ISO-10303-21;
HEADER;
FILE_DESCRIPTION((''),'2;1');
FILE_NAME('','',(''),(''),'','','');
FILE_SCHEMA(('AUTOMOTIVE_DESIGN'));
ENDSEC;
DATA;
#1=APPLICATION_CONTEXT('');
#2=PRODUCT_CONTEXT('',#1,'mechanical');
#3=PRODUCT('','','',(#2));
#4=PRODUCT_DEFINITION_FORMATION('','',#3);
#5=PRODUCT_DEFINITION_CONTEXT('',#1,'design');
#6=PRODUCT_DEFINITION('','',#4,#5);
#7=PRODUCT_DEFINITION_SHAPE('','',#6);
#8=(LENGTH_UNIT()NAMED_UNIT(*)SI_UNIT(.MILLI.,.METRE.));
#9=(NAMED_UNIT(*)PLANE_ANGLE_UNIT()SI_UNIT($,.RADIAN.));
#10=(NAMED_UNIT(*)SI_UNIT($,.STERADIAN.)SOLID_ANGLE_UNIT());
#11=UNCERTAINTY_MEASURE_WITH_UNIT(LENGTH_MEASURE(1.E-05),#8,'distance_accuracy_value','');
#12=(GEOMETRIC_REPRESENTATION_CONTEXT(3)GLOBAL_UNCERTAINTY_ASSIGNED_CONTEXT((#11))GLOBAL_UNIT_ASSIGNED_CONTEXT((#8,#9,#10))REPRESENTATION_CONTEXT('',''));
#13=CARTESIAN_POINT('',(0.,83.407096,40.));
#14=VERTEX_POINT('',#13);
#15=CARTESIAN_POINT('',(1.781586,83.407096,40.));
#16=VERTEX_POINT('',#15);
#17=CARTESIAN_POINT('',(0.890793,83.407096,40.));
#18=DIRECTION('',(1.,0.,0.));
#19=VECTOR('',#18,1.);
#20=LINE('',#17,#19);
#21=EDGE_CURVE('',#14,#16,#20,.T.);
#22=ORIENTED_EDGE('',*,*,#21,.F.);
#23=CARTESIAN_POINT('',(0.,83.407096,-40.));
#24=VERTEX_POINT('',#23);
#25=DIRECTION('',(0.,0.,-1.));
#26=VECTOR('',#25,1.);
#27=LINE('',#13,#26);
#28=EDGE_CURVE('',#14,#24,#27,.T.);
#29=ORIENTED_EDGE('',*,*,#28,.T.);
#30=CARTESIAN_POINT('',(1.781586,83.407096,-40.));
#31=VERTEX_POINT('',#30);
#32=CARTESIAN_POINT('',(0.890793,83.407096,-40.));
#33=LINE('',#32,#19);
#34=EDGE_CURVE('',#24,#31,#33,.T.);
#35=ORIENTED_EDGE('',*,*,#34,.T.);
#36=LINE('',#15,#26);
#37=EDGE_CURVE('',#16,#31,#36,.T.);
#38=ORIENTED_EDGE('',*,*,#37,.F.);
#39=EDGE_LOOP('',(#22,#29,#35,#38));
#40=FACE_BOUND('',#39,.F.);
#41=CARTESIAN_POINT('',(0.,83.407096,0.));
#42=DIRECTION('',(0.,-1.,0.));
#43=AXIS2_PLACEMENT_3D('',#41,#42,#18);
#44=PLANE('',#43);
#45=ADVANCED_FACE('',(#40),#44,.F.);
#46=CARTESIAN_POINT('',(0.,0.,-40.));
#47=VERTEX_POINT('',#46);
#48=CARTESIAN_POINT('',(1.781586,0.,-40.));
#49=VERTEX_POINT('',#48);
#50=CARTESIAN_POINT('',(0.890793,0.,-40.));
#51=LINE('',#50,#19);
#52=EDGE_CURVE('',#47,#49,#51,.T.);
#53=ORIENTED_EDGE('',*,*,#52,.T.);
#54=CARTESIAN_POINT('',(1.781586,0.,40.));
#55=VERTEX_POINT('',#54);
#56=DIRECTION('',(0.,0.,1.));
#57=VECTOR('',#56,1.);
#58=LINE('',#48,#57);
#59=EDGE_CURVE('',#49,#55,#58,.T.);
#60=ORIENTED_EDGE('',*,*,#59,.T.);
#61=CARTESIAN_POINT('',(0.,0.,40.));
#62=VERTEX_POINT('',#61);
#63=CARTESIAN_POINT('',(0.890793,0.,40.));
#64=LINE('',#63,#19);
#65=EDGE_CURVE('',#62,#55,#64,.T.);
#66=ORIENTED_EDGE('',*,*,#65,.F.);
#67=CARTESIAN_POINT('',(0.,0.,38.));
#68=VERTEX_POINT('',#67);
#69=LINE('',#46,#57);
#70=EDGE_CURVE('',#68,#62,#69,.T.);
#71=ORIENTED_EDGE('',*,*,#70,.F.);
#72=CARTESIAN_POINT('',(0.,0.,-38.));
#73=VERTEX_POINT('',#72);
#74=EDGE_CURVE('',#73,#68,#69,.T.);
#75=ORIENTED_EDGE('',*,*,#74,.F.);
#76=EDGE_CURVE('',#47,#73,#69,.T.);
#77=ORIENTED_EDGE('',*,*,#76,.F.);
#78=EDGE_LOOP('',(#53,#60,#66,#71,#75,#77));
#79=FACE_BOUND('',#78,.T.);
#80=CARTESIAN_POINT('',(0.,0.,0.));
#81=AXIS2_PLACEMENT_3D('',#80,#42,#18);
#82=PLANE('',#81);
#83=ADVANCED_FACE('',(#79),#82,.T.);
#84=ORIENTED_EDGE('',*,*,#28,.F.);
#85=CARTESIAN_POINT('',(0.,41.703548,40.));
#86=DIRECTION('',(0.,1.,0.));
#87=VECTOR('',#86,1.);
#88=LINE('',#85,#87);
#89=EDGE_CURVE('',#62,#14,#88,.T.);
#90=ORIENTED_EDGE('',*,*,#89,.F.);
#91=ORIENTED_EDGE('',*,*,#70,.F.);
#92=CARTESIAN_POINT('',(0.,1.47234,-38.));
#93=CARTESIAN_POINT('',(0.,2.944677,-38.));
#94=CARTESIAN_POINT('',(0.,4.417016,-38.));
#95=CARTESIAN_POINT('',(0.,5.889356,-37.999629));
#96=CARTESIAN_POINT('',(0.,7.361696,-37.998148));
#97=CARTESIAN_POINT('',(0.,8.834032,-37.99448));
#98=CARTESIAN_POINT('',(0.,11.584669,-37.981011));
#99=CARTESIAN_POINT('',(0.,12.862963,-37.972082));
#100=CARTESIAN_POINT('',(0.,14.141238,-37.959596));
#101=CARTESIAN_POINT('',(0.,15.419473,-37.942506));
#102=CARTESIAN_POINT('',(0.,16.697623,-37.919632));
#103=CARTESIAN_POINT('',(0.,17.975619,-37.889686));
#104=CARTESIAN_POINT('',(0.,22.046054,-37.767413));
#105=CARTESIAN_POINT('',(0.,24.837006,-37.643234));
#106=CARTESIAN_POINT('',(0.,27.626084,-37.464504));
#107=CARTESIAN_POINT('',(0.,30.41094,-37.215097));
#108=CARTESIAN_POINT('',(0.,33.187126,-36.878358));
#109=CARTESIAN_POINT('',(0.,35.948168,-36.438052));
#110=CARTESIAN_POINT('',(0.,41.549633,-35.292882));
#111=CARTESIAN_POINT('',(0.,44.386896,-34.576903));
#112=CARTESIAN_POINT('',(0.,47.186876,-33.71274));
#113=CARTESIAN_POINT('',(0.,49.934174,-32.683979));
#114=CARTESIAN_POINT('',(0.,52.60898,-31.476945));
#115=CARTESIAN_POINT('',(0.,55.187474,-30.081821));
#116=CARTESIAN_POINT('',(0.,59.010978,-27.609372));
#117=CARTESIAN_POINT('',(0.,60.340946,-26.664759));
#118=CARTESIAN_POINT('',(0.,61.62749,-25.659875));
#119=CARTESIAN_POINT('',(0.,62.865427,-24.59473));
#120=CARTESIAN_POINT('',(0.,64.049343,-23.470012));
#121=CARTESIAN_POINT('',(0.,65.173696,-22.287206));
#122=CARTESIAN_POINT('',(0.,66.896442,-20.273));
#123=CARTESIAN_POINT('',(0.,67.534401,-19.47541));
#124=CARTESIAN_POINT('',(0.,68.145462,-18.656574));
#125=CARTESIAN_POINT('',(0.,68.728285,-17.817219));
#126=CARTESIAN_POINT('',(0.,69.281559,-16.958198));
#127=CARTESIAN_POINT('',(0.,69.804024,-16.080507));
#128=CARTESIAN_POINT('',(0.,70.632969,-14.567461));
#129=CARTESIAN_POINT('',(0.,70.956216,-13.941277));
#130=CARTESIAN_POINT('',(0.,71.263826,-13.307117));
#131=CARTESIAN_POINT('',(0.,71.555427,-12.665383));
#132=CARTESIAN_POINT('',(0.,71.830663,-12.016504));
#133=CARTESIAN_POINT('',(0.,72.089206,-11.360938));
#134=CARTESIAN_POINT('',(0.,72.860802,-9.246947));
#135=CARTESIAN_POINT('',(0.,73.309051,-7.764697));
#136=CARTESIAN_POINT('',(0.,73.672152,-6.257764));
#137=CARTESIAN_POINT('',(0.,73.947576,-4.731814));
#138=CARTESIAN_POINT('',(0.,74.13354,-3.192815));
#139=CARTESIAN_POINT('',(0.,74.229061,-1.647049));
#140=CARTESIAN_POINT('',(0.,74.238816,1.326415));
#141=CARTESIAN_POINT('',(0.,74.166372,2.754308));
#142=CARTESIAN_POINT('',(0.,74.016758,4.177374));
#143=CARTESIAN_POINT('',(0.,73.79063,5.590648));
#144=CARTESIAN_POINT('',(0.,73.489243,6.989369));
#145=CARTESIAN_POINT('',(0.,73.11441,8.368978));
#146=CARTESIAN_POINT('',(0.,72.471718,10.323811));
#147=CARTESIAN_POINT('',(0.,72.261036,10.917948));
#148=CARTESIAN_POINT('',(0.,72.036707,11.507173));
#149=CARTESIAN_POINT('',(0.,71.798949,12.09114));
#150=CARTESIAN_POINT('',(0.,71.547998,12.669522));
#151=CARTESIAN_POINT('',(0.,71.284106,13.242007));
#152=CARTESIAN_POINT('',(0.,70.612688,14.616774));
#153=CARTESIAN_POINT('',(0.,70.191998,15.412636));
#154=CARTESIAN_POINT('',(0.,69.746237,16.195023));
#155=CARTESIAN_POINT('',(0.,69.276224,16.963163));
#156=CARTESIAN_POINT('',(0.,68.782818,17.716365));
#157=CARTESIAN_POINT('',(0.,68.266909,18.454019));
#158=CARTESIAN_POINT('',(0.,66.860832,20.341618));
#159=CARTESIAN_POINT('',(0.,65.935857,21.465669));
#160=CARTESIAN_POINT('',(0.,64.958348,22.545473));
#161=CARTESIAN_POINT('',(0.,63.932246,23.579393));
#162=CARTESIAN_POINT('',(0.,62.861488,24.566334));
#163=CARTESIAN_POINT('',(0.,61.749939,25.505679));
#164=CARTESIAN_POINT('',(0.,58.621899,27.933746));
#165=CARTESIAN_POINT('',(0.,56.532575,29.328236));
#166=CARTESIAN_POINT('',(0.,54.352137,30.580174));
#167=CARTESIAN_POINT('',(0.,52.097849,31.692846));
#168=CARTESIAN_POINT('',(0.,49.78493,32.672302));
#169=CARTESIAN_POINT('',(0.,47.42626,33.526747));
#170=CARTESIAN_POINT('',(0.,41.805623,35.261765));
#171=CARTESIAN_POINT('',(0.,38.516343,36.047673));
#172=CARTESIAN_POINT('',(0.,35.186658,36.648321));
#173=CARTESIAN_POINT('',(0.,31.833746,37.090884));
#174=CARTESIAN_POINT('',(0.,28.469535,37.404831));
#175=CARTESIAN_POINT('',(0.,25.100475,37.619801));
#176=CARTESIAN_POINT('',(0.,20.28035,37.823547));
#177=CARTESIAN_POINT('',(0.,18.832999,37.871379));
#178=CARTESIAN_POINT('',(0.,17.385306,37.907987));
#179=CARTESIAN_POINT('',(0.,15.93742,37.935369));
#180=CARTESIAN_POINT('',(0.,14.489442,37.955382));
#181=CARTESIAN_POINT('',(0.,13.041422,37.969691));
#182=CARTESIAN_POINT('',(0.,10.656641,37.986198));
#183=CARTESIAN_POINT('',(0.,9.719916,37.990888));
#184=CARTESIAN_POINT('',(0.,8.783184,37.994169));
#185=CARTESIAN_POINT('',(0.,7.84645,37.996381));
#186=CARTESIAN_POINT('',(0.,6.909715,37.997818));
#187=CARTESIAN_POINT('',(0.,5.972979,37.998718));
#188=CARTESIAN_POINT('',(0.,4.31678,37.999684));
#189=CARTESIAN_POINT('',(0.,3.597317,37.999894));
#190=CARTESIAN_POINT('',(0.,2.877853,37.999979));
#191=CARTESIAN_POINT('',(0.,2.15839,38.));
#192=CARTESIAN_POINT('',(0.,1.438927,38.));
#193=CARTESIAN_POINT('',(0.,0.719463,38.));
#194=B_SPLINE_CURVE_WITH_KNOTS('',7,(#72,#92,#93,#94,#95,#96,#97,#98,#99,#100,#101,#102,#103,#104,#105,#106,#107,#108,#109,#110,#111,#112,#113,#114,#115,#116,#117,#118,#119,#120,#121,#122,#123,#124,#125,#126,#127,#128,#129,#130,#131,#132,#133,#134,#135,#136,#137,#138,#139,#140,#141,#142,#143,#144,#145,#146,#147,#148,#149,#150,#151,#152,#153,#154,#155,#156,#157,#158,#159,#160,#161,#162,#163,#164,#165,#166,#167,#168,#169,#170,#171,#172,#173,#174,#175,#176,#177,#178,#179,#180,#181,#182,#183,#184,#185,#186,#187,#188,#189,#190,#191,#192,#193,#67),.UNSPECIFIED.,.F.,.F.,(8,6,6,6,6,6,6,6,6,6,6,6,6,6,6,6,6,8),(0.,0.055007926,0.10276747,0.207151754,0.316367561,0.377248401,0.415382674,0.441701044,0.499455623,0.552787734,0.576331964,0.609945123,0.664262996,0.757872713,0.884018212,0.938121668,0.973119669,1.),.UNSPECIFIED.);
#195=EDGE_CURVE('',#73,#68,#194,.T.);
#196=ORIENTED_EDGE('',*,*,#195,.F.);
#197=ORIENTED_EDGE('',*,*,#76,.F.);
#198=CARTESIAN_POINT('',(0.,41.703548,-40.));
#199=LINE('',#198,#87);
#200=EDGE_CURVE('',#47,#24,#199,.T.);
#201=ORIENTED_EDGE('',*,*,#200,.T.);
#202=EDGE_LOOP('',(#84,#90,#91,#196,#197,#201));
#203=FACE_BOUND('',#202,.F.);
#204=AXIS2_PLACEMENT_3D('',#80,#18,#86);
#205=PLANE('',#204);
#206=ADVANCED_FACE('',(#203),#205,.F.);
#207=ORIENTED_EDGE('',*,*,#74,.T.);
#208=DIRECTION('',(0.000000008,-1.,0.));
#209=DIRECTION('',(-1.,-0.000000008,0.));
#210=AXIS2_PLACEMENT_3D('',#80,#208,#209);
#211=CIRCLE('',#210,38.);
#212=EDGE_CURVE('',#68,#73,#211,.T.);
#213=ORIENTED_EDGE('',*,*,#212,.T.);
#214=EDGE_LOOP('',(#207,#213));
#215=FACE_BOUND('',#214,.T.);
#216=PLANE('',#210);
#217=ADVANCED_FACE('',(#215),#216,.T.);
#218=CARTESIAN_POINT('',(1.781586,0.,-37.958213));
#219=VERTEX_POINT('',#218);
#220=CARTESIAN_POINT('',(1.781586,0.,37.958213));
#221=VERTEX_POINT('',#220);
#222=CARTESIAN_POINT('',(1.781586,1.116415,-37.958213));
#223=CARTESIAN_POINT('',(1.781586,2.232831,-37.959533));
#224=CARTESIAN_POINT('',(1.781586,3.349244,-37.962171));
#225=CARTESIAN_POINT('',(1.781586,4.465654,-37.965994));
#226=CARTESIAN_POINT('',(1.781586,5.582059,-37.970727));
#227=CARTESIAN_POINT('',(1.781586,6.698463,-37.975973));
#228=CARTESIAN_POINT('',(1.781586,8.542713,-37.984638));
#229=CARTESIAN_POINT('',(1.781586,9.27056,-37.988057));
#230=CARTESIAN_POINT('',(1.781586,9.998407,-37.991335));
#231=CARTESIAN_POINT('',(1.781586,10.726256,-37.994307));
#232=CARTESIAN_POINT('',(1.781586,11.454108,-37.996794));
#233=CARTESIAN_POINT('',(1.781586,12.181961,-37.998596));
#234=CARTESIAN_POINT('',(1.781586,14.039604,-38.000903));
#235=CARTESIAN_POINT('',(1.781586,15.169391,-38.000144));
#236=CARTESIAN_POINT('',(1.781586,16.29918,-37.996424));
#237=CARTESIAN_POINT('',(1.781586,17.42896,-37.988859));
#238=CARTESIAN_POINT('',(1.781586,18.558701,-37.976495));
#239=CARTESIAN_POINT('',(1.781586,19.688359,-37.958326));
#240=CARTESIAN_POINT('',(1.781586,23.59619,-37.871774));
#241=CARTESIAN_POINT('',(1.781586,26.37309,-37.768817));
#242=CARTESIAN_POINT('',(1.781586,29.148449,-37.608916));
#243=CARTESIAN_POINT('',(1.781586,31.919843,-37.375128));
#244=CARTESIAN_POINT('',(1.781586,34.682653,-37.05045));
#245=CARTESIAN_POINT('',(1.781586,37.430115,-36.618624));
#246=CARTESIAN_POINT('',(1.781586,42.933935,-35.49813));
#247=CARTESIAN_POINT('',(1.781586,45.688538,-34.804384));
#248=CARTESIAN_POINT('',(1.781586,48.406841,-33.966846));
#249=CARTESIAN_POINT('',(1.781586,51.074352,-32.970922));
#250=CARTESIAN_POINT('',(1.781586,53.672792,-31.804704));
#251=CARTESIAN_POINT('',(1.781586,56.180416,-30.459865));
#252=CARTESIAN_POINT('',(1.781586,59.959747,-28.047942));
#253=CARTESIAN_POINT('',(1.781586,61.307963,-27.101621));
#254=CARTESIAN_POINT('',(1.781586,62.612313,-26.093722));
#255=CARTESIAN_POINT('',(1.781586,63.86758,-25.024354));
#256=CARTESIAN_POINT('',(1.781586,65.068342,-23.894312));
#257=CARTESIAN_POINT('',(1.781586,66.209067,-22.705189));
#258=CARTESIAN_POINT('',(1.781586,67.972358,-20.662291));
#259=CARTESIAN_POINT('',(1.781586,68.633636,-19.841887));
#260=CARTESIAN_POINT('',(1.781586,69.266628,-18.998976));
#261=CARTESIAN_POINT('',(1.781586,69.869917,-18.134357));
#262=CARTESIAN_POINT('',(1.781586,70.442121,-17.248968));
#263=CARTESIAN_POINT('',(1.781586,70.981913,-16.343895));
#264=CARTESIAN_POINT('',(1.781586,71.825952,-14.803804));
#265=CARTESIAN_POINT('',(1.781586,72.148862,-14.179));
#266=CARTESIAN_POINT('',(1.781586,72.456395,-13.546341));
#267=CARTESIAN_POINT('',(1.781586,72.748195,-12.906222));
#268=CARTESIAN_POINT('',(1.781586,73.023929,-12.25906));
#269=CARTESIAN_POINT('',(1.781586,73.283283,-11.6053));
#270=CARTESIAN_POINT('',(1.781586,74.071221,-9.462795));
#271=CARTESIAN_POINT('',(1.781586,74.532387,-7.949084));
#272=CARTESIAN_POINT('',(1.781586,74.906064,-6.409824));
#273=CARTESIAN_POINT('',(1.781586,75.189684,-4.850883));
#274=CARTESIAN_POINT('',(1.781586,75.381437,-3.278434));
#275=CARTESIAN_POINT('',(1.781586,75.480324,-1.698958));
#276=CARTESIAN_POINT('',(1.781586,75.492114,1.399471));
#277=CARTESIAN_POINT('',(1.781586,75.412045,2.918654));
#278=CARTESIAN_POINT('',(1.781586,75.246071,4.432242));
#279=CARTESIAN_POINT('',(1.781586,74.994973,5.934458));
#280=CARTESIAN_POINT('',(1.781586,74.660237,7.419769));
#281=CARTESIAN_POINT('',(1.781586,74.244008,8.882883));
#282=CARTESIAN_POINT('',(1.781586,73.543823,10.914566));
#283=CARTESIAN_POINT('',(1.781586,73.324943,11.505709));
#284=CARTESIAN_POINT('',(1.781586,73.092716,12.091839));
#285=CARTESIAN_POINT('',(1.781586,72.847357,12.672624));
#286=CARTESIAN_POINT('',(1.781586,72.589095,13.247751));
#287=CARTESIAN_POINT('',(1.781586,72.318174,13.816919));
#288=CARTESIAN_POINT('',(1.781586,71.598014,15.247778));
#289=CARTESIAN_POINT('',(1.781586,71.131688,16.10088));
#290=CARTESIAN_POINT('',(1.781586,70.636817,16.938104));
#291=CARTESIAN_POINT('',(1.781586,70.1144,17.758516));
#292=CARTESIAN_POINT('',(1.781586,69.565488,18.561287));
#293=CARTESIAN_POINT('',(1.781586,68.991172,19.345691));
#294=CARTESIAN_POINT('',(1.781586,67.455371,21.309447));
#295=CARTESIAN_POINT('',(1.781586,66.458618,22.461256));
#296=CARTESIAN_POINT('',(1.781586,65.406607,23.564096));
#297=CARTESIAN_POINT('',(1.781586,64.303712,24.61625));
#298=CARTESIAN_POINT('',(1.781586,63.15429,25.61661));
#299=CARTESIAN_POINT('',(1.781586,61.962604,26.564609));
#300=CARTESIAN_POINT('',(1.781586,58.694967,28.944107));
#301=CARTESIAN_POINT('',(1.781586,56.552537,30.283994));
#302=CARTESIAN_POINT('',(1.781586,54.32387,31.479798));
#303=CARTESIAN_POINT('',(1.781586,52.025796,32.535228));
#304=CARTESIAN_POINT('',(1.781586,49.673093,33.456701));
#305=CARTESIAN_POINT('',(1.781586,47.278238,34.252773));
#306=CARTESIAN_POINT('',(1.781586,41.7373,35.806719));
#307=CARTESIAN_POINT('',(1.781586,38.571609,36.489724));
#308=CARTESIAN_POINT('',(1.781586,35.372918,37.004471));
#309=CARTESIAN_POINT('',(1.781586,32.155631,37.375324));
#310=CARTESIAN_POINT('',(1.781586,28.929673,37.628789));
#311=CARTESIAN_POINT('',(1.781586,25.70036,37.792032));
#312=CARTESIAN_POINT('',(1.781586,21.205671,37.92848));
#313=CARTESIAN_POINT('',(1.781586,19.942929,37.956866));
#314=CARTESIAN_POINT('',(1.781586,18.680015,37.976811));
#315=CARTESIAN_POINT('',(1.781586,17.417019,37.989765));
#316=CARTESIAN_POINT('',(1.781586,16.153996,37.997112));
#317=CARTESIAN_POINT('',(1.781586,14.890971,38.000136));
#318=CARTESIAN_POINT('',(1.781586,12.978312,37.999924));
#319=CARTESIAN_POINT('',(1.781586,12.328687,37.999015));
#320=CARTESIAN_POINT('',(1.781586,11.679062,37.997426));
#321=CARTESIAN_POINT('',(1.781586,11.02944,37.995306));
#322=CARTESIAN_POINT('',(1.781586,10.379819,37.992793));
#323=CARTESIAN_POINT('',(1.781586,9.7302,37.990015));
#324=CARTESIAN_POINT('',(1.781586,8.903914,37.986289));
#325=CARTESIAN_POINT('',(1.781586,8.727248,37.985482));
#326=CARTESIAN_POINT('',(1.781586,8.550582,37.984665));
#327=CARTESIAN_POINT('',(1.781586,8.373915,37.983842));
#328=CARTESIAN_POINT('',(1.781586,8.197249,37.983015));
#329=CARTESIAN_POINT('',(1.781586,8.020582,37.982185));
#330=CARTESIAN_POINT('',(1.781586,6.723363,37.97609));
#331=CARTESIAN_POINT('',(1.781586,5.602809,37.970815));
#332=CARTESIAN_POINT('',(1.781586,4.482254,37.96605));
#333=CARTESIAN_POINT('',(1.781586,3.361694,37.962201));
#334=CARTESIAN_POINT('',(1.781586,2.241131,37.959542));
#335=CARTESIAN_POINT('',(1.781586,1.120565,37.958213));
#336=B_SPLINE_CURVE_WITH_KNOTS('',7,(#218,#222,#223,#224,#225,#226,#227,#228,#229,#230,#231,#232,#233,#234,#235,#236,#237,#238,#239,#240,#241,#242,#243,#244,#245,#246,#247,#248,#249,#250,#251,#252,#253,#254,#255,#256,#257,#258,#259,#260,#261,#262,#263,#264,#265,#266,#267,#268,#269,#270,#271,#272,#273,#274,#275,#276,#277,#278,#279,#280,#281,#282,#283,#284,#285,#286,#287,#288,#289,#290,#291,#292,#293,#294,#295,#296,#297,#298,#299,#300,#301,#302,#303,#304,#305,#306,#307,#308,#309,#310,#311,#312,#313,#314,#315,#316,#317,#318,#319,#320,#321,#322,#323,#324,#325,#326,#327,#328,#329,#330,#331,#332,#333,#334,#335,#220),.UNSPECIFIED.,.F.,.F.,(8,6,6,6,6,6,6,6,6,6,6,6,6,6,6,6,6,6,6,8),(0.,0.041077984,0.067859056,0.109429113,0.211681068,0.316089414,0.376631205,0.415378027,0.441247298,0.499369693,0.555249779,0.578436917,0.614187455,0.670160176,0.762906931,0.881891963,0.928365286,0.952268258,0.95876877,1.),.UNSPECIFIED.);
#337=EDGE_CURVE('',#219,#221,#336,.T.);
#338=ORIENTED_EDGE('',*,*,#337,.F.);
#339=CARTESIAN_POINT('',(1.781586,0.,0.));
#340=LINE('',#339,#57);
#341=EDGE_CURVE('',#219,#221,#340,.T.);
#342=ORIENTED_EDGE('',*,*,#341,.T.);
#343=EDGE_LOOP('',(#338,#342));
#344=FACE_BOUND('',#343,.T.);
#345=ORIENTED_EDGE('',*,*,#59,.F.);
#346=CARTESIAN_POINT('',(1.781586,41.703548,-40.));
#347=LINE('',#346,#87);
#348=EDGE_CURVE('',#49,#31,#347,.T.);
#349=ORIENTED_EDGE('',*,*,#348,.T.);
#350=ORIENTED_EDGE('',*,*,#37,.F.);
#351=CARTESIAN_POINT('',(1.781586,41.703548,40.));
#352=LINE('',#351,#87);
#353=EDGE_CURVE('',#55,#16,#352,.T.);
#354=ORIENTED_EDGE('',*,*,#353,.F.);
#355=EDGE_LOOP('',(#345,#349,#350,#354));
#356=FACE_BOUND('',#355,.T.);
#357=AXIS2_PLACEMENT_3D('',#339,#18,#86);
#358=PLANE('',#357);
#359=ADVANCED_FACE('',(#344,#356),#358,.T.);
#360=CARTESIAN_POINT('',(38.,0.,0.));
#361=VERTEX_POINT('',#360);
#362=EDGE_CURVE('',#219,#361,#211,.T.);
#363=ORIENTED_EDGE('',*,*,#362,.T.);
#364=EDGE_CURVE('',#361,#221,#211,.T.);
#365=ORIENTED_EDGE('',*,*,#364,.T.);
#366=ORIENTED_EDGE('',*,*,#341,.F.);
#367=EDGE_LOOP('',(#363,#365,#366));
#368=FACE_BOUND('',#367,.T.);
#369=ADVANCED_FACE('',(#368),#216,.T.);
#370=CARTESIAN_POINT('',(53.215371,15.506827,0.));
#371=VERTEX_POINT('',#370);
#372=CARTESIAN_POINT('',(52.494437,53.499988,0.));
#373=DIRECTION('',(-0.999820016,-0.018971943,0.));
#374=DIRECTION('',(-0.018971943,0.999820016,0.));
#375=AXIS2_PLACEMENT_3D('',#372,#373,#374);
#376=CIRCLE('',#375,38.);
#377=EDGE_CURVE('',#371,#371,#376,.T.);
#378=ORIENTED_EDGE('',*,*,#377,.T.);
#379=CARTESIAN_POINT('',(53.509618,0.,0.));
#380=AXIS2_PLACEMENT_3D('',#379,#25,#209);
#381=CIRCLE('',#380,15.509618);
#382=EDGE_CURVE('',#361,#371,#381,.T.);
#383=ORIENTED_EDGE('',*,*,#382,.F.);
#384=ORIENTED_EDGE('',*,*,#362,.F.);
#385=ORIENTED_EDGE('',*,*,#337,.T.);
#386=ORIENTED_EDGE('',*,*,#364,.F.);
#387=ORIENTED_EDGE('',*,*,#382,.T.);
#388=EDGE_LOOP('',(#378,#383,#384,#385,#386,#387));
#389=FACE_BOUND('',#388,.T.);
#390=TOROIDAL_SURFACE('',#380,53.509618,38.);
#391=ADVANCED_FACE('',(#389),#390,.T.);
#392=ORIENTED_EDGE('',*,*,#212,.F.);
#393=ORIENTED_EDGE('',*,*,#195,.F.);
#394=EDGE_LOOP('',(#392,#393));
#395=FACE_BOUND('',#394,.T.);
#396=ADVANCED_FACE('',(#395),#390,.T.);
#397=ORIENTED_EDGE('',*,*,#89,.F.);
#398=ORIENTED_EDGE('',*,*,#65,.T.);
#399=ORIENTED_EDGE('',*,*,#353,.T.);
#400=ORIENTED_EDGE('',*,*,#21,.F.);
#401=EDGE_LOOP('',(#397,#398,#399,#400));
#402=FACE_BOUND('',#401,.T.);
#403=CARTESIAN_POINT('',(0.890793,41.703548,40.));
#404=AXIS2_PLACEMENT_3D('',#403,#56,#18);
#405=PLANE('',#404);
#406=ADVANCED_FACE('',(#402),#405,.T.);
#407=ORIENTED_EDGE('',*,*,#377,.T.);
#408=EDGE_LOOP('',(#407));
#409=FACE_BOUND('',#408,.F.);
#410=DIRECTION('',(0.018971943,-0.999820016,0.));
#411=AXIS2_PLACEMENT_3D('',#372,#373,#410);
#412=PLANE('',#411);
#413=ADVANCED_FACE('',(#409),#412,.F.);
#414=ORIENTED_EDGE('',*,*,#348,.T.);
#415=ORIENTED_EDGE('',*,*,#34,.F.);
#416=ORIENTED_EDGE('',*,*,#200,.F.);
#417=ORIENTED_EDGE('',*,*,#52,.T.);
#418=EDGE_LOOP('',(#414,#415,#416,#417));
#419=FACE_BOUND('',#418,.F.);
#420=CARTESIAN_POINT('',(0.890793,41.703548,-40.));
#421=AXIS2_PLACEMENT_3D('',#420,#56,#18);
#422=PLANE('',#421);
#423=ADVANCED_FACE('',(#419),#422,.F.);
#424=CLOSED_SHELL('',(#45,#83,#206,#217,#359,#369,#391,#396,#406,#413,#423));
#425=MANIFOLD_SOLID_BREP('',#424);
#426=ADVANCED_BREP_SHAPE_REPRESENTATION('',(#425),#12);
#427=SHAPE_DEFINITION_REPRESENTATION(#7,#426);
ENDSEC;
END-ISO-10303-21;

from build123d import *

# Parameters (mm, degrees)
F0_R     = 38
F3_W     = 1.781586
F3_H     = 83.407097
F4_DEPTH = 40


with BuildPart() as f2:
    # F2: sweep along a path in F1
    with BuildLine(Plane.XY) as f2_path:
        ThreePointArc((0, 0), (15.31537, 37.476375), (52.494437, 53.499988))
    # F0 (on Front) → F2 (sweep)
    with BuildSketch(Plane.XZ):
        Circle(F0_R)
    sweep(path=f2_path.line)

    # F3 (on Top) → F4 (join, symmetric)
    with BuildSketch(Plane.XY):
        with Locations((0.890793, 41.703548)):
            Rectangle(F3_W, F3_H)
    extrude(amount=F4_DEPTH, both=True)


solid = f2.part
